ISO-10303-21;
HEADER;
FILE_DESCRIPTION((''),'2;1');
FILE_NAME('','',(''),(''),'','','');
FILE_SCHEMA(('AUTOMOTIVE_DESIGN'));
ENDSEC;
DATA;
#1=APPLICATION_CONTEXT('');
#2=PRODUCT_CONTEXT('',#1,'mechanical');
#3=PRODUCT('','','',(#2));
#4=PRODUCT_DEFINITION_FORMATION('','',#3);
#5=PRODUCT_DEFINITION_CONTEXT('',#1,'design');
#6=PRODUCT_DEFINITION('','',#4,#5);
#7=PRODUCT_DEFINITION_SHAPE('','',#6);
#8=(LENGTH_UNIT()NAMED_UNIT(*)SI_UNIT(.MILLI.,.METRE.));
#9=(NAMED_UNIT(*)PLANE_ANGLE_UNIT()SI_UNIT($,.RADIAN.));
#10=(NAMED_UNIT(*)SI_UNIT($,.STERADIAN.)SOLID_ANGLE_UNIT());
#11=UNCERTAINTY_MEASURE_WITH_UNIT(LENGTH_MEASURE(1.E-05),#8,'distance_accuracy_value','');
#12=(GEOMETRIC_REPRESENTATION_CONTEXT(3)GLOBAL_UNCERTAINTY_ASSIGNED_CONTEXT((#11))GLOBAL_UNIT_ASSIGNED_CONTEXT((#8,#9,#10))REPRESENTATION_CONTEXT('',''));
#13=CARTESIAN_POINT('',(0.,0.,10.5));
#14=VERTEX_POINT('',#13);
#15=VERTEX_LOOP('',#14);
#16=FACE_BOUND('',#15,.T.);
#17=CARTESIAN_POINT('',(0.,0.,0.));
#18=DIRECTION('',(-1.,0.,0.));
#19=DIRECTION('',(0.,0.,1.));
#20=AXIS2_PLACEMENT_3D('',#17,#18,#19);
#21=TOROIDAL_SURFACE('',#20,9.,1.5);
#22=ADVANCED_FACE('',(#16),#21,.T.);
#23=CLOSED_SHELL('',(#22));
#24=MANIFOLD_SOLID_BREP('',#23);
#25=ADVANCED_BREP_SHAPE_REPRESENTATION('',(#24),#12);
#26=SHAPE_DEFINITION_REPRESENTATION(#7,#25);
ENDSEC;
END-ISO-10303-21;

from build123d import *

# Parameters (mm, degrees)
SKETCH_1_R = 1.5


with BuildPart() as part:
    # Эскиз1 → Повернуть1 (revolve)
    with BuildSketch(Plane.XY, mode=Mode.PRIVATE) as revolve_1_sk:
        with Locations((0, 9)):
            Circle(SKETCH_1_R)
    revolve(revolve_1_sk.sketch.rotate(Axis((0, 0, 0), (1, 0, 0)), 90), axis=Axis((0, 0, 0), (1, 0, 0)))


solid = part.part
